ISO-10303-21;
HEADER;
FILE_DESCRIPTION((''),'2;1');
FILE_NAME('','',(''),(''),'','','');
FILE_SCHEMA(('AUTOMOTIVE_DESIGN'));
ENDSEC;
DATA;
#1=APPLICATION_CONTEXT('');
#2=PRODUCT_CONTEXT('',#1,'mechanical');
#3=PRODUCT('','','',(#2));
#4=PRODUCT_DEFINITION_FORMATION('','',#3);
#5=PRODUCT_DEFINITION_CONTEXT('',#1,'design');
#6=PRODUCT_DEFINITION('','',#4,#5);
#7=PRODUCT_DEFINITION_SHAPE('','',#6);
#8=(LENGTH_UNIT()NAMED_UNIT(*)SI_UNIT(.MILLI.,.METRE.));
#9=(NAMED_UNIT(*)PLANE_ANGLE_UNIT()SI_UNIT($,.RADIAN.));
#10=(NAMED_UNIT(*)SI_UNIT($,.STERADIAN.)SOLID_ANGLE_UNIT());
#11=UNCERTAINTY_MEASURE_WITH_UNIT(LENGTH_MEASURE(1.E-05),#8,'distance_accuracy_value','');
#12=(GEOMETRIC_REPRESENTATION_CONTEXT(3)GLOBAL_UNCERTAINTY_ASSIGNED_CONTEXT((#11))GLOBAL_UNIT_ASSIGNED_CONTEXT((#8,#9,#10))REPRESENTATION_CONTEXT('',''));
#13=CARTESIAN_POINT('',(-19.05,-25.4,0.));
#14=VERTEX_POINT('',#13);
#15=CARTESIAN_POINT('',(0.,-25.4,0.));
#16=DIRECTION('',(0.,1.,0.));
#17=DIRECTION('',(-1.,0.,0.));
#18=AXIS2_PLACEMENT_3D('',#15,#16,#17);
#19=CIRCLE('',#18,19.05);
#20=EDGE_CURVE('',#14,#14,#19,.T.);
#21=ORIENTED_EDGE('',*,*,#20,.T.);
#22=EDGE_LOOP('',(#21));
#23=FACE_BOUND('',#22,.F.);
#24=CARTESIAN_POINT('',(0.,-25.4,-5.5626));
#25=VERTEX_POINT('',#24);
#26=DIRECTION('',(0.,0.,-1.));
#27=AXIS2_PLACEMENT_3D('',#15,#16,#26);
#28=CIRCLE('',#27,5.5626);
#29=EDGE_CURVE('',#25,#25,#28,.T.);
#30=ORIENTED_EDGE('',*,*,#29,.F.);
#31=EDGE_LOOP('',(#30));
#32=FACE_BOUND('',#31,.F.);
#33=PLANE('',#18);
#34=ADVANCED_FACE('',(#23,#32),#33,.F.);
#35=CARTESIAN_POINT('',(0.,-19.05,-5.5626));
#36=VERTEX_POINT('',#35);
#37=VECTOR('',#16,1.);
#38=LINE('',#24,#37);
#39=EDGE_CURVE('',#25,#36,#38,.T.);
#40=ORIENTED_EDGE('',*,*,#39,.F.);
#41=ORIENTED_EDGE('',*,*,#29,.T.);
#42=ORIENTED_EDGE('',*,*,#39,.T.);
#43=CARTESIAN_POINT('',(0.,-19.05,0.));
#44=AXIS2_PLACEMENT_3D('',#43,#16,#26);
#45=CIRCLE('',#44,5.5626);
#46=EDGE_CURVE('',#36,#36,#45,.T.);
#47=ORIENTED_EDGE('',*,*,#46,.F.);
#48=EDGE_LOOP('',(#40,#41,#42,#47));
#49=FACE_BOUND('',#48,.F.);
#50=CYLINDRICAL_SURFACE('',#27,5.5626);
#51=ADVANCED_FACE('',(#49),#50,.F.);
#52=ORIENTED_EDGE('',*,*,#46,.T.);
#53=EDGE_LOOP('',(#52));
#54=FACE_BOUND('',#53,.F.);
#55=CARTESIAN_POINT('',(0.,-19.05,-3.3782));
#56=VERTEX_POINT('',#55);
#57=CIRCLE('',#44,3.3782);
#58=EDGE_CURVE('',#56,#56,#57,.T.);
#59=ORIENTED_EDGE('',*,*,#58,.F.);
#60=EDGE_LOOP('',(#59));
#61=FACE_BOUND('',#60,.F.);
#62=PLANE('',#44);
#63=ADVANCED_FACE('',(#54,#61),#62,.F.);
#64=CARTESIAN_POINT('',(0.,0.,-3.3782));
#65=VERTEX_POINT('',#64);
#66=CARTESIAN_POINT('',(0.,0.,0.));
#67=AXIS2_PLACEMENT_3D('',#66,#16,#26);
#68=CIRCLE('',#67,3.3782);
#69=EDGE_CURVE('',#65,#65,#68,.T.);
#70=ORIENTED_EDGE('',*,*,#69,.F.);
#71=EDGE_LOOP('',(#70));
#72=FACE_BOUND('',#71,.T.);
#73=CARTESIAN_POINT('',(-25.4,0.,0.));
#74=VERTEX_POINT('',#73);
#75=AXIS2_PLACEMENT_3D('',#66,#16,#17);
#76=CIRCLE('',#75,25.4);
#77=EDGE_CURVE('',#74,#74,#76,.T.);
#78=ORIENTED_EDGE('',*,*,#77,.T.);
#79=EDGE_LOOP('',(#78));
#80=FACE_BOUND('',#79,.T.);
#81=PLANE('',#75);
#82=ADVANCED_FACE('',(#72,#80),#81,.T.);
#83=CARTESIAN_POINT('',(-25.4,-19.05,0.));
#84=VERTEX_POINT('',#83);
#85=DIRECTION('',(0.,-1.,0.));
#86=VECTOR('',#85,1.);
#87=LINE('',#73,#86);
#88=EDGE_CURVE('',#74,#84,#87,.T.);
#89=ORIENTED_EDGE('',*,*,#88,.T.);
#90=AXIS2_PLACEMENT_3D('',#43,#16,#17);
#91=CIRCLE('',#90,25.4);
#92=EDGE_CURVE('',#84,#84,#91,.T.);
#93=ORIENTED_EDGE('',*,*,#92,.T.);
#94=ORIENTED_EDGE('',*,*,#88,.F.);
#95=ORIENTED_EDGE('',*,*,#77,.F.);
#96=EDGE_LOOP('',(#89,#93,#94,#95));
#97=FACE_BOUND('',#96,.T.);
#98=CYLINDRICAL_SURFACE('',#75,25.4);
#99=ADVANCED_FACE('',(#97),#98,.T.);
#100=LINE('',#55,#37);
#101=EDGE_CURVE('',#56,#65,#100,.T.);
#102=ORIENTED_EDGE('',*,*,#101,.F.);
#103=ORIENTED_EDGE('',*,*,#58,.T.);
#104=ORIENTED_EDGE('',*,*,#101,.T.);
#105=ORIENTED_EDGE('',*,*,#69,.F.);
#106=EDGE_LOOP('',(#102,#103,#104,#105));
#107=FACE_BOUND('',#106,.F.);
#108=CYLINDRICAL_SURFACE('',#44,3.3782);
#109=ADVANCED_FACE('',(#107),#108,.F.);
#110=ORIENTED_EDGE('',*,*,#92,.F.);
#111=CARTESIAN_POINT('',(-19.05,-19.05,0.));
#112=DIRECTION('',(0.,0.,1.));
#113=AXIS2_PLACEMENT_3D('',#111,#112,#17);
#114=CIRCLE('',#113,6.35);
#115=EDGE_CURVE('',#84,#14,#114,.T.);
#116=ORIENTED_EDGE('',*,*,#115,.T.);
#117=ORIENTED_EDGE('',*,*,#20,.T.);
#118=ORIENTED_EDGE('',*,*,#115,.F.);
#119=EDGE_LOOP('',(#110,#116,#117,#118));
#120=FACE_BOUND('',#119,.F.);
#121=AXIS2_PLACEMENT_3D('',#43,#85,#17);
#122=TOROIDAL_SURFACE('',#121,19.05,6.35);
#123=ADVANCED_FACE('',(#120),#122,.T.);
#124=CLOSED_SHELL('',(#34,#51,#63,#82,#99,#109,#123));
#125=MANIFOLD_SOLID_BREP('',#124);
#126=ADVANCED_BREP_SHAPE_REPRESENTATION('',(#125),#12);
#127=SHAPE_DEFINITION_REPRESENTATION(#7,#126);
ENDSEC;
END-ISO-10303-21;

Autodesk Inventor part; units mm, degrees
ref_plane "YZ Plane" through (0, 0, 0) normal (1, 0, 0) x (0, 1, 0)
ref_plane "XZ Plane" through (0, 0, 0) normal (0, 1, 0) x (-1, 0, 0)
ref_plane "XY Plane" through (0, 0, 0) normal (0, 0, 1) x (1, 0, 0)
sketch "Sketch1" plane through (0, 0, 0) normal (0, 1, 0) x (-1, 0, 0)
  circle A0 centre (0, 0) radius 25.4
  dimension "d0" = 50.8
extrude "Extrusion1" add sketch "Sketch1" against normal blind 25.4
fillet "Fillet1" radius 6.35 1 edges at (25.4, -25.4, 0)
hole "Hole1" at (0, -25.4, 0) direction (0, 1, 0) diameter 6.7564 end through all counterbore diameter 11.1252 counterbore depth 6.35 clearance for "Socket Head Cap Screw" size "1/4" standard "Ansi Unified Screw Threads"
properties part number "foot"
